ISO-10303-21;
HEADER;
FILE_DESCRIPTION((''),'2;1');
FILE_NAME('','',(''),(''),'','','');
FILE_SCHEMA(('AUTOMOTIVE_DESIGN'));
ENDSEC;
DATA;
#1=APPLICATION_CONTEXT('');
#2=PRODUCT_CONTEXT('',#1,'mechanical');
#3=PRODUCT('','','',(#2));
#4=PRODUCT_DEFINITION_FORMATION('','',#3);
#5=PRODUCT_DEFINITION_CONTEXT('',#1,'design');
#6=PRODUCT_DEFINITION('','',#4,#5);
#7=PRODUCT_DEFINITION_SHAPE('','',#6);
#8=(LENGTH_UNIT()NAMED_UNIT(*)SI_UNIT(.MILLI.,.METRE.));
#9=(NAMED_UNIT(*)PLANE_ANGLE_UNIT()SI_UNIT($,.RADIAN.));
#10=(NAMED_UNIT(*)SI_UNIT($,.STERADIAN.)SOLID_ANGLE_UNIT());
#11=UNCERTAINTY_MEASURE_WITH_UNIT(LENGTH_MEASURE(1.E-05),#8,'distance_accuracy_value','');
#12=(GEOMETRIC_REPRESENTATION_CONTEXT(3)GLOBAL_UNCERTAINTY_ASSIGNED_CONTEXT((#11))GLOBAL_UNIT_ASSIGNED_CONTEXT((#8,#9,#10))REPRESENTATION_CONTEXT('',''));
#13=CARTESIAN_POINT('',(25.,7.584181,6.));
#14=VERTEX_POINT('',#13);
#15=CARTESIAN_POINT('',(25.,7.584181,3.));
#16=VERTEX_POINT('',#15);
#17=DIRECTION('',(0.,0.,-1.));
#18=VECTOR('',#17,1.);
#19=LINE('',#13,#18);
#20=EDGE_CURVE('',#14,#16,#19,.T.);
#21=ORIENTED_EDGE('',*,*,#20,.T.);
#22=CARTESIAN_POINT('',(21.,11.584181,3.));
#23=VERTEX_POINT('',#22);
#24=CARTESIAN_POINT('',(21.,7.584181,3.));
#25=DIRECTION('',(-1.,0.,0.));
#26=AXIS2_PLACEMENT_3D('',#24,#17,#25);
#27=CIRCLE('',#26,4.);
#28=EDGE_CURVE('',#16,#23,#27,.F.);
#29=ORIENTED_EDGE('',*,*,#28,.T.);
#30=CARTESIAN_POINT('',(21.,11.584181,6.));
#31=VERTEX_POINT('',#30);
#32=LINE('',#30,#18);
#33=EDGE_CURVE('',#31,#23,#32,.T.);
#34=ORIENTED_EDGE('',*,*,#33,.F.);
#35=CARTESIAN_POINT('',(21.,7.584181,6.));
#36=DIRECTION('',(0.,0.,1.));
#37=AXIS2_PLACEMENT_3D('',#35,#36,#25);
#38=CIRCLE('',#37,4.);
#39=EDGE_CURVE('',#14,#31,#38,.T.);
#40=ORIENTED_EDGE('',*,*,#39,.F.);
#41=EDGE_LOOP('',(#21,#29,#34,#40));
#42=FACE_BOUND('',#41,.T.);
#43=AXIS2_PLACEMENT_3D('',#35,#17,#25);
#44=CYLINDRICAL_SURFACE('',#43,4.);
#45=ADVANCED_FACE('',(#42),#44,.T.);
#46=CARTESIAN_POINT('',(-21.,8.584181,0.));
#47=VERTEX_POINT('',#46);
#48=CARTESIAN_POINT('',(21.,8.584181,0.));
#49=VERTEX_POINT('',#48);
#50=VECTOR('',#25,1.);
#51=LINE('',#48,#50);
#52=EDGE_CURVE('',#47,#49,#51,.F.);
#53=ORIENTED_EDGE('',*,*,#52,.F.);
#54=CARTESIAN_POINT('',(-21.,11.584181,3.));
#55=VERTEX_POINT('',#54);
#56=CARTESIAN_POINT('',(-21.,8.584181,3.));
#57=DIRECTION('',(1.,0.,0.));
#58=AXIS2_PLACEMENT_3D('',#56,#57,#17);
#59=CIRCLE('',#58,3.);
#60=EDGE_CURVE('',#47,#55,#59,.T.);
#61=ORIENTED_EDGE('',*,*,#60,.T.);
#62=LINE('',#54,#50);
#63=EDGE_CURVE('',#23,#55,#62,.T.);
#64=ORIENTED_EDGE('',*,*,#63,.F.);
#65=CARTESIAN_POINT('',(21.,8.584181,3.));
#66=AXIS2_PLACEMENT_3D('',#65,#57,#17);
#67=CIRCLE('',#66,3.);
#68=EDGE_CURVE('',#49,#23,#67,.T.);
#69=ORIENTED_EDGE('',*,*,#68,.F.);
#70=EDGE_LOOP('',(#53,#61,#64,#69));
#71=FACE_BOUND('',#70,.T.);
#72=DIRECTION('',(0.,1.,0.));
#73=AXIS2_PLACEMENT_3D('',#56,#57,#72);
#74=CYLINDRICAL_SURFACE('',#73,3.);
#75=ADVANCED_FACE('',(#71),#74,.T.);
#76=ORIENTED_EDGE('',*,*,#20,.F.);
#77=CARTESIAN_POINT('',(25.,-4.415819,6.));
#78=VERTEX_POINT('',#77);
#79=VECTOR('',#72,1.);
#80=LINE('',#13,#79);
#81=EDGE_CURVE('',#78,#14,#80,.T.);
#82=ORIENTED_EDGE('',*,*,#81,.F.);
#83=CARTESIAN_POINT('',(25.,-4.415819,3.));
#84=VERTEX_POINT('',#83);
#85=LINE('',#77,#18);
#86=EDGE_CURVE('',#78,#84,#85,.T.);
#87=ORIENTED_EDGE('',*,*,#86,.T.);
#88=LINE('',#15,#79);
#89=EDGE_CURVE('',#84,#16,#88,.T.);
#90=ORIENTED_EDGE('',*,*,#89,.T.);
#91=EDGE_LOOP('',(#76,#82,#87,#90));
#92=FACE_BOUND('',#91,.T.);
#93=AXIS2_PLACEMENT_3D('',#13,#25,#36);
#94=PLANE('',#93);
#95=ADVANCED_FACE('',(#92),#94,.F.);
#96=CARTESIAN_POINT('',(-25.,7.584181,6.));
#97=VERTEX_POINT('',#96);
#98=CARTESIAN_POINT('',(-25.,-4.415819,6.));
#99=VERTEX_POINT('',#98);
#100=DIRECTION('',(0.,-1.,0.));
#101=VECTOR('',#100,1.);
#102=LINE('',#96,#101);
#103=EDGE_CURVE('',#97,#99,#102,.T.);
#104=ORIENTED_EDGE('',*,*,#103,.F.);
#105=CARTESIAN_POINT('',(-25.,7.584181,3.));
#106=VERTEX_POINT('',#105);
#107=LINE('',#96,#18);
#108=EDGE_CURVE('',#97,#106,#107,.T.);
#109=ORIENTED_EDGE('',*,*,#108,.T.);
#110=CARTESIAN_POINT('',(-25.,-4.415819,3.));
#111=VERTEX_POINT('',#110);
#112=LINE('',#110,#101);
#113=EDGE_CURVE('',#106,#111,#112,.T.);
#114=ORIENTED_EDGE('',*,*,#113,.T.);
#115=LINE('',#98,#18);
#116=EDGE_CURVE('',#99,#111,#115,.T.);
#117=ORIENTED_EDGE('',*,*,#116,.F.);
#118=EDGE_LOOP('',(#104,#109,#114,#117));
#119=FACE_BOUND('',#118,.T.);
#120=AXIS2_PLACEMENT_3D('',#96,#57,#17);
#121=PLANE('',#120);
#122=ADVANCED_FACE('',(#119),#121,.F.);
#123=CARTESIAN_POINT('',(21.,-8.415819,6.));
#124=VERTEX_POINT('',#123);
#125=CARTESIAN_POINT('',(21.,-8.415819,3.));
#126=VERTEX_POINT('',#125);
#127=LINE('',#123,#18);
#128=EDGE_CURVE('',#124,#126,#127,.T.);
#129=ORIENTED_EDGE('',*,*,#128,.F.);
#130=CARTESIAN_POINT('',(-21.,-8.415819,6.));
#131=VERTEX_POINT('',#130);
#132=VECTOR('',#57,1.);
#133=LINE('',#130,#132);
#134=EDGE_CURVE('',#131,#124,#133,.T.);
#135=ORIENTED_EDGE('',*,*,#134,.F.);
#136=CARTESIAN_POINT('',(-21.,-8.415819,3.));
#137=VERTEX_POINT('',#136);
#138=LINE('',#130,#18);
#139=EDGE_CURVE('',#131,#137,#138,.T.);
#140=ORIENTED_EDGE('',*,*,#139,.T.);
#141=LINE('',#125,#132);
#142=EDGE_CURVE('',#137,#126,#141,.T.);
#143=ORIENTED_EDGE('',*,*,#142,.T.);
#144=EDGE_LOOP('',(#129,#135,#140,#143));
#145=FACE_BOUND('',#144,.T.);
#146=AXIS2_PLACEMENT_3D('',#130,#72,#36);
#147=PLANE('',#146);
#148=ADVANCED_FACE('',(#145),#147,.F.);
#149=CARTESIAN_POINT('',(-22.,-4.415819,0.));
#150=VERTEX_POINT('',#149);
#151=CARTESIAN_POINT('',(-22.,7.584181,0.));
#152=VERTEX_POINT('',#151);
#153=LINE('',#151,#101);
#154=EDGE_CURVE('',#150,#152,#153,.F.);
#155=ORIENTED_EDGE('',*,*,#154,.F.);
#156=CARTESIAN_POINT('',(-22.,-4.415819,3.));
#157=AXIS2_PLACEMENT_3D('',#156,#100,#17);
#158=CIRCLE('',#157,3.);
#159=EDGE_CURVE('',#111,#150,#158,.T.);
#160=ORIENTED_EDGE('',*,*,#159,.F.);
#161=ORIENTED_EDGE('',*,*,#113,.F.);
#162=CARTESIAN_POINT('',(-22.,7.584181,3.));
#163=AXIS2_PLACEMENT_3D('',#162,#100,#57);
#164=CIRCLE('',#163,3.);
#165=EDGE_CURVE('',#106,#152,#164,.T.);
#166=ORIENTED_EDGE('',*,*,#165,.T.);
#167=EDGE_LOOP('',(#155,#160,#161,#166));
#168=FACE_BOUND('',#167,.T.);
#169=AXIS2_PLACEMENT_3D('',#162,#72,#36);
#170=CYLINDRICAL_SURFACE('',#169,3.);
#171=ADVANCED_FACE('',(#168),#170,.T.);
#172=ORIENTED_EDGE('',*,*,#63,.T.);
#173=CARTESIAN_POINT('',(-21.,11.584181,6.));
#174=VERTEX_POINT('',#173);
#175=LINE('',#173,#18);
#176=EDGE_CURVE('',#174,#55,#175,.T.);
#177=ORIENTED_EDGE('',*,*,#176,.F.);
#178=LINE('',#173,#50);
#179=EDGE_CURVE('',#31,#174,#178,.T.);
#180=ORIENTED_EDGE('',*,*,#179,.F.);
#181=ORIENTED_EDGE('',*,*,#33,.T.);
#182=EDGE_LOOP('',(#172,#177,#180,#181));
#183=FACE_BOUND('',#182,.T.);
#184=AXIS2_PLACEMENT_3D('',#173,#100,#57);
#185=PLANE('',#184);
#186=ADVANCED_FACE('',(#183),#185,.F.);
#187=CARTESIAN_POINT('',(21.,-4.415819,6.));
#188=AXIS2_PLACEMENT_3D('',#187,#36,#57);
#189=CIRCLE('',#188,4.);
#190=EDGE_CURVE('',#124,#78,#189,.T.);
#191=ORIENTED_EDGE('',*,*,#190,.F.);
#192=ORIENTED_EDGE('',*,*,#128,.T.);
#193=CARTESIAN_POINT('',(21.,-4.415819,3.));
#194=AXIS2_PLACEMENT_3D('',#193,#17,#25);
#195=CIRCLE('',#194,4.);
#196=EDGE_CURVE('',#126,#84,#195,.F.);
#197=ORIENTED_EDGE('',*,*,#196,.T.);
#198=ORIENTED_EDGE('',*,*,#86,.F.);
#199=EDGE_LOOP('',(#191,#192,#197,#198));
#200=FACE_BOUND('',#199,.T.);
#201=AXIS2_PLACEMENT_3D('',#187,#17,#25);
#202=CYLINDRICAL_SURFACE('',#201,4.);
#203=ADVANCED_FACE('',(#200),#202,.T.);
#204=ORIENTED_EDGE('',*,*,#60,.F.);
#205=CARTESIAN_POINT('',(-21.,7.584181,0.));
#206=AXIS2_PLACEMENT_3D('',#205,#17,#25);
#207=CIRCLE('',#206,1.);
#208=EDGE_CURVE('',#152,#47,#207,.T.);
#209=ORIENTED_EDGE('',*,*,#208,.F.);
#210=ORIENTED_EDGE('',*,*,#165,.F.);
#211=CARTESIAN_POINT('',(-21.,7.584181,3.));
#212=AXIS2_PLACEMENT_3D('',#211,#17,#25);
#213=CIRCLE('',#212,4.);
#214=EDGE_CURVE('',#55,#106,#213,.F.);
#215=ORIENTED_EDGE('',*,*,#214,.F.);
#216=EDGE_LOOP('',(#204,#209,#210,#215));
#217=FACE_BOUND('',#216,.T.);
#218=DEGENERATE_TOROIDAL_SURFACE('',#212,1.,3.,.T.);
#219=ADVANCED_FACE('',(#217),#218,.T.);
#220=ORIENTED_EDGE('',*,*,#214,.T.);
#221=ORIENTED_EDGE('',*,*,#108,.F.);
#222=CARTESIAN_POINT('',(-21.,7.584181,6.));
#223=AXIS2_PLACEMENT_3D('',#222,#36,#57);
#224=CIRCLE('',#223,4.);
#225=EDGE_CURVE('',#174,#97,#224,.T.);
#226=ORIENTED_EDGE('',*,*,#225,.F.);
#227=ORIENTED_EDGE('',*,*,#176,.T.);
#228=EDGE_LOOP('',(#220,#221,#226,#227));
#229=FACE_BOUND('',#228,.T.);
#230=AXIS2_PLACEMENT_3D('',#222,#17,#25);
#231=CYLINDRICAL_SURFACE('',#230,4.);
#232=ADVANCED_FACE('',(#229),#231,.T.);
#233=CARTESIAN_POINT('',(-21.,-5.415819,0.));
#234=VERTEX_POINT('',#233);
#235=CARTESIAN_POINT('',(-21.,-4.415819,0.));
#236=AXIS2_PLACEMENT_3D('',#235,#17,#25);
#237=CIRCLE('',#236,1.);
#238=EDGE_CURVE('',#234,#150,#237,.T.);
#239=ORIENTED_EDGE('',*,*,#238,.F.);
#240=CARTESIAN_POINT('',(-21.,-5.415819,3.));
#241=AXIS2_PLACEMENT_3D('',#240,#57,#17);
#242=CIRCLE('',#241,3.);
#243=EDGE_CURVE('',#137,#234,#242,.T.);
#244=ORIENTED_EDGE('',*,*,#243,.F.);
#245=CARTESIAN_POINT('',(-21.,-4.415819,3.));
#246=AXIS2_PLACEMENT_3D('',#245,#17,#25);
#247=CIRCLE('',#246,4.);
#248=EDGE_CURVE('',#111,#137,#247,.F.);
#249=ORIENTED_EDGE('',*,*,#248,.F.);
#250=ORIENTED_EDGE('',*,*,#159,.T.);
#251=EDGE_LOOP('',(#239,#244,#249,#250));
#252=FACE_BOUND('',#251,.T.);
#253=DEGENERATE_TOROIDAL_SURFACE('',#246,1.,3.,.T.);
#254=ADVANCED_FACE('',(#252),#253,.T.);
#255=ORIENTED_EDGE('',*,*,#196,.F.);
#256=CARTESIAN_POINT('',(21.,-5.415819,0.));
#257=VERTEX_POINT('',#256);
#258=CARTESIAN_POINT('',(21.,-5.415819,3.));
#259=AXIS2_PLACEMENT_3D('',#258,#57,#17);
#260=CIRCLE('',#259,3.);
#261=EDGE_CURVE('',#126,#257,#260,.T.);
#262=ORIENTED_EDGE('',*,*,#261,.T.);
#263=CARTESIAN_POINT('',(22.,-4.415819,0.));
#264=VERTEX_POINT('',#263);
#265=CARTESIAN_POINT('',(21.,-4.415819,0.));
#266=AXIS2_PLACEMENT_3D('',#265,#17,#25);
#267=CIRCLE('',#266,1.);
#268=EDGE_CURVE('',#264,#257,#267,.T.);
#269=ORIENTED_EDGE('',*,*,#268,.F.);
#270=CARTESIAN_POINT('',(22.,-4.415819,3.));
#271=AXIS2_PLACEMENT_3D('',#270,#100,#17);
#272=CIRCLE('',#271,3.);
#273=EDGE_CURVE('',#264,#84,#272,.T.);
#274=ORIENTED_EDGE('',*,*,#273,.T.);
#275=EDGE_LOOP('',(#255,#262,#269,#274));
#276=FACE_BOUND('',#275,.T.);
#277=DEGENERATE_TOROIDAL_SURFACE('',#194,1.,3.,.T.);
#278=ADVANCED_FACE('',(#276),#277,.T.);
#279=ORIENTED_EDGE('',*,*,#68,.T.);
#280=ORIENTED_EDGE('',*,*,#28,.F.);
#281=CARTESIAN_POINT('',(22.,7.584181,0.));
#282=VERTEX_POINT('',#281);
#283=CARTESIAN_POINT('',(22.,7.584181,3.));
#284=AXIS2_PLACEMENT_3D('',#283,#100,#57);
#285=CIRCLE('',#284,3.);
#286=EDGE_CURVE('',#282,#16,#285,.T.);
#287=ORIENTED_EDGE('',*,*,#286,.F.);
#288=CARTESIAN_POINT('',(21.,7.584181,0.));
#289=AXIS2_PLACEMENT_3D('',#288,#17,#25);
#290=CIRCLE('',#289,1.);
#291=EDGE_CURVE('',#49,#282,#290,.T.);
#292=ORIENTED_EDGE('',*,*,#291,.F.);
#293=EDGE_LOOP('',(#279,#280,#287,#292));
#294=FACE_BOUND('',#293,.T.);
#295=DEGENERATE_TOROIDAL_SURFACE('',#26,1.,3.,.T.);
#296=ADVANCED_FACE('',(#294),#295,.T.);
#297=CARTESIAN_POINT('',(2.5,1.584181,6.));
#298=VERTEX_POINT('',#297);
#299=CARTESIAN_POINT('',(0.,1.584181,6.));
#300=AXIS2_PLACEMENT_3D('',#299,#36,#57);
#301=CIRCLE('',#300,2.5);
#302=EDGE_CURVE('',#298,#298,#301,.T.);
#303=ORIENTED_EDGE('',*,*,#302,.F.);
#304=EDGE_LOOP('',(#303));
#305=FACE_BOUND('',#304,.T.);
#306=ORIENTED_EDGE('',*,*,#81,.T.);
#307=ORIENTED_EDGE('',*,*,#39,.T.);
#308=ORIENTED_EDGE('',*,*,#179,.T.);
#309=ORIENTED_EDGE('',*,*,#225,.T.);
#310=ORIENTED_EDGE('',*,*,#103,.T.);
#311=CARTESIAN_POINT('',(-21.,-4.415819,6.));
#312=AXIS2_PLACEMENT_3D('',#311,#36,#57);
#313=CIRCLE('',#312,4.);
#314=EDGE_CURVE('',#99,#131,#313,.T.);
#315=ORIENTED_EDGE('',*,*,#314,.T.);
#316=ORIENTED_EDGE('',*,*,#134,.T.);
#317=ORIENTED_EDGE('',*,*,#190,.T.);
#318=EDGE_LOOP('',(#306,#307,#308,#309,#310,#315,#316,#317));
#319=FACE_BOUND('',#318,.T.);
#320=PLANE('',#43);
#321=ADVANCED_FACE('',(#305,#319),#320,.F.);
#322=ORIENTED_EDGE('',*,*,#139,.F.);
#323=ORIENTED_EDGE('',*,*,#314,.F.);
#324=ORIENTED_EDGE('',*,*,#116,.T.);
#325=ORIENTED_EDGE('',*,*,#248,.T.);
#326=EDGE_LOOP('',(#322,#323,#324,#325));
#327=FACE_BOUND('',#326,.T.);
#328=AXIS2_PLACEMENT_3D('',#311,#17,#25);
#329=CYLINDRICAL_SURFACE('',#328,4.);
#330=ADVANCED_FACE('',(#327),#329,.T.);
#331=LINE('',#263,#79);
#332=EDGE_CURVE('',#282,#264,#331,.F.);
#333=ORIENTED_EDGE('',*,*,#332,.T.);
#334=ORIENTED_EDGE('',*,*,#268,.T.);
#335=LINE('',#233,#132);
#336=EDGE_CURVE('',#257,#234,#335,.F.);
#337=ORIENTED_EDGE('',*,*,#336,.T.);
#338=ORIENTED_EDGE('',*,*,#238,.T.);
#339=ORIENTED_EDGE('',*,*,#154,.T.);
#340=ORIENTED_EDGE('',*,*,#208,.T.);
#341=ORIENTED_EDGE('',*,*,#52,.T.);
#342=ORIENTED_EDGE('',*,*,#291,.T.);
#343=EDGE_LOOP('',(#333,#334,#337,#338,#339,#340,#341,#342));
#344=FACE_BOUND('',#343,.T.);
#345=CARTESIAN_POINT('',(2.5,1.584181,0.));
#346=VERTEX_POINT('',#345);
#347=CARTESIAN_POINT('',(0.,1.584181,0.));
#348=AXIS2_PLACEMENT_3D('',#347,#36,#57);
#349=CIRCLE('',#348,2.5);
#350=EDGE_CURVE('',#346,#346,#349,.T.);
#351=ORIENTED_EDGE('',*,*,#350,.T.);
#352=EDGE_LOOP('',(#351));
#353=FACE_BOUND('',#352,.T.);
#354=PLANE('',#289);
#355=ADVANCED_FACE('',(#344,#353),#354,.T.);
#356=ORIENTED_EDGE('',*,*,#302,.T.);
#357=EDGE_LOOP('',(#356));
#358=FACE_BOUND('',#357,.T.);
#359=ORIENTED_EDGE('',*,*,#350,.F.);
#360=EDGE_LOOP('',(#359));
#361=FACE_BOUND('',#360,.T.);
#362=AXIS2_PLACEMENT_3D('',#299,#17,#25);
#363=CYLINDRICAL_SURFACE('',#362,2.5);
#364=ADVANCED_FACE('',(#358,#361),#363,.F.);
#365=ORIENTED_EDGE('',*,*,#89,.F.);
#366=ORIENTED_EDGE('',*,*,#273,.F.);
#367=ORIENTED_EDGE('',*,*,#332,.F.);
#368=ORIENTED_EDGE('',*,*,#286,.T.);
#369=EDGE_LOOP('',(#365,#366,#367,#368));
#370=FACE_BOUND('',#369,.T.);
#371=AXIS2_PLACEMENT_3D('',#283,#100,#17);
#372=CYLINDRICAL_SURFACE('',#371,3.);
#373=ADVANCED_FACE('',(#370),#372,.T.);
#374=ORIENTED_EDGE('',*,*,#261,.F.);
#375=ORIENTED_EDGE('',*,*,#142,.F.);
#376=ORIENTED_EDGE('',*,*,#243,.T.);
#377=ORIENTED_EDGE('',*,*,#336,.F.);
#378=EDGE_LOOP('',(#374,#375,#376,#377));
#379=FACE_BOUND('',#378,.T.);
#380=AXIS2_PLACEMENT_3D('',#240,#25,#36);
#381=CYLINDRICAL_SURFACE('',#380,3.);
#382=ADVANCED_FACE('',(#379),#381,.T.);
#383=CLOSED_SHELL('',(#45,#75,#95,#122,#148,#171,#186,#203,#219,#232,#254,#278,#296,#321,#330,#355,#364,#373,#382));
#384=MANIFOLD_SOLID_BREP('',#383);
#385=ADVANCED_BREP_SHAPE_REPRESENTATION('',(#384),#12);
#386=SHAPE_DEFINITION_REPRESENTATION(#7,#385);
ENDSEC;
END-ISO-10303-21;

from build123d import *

# Parameters (mm, degrees)
SKETCH1_R           = 2.5
BOSS_EXTRUDE1_DEPTH = 6
FILLET1_R           = 3


with BuildPart() as part:
    # Sketch1 → Boss-Extrude1 (new body)
    with BuildSketch(Plane.XY):
        with BuildLine():
            Line((-21, 11.584180911), (21, 11.584180911))
            ThreePointArc((21, 11.584180911), (23.828427125, 10.412608036), (25, 7.584180911))
            Line((25, 7.584180911), (25, -4.415819089))
            ThreePointArc((25, -4.415819089), (23.828427125, -7.244246214), (21, -8.415819089))
            Line((21, -8.415819089), (-21, -8.415819089))
            ThreePointArc((-21, -8.415819089), (-23.828427125, -7.244246214), (-25, -4.415819089))
            Line((-25, -4.415819089), (-25, 7.584180911))
            ThreePointArc((-25, 7.584180911), (-23.828427125, 10.412608036), (-21, 11.584180911))
        make_face()
        with Locations((0, 1.584180911)):
            Circle(SKETCH1_R, mode=Mode.SUBTRACT)
    extrude(amount=BOSS_EXTRUDE1_DEPTH)

    # Fillet1
    fillet1_edges = [part.edges().sort_by_distance(p)[0] for p in [
        (-25, 1.584180911, 0),
        (-23.828427125, 10.412608036, 0),
        (0, 11.584180911, 0),
        (23.828427125, 10.412608036, 0),
        (25, 1.584180911, 0),
        (23.828427125, -7.244246214, 0),
        (0, -8.415819089, 0),
        (-23.828427125, -7.244246214, 0),
    ]]
    fillet(fillet1_edges, radius=FILLET1_R)


solid = part.part
